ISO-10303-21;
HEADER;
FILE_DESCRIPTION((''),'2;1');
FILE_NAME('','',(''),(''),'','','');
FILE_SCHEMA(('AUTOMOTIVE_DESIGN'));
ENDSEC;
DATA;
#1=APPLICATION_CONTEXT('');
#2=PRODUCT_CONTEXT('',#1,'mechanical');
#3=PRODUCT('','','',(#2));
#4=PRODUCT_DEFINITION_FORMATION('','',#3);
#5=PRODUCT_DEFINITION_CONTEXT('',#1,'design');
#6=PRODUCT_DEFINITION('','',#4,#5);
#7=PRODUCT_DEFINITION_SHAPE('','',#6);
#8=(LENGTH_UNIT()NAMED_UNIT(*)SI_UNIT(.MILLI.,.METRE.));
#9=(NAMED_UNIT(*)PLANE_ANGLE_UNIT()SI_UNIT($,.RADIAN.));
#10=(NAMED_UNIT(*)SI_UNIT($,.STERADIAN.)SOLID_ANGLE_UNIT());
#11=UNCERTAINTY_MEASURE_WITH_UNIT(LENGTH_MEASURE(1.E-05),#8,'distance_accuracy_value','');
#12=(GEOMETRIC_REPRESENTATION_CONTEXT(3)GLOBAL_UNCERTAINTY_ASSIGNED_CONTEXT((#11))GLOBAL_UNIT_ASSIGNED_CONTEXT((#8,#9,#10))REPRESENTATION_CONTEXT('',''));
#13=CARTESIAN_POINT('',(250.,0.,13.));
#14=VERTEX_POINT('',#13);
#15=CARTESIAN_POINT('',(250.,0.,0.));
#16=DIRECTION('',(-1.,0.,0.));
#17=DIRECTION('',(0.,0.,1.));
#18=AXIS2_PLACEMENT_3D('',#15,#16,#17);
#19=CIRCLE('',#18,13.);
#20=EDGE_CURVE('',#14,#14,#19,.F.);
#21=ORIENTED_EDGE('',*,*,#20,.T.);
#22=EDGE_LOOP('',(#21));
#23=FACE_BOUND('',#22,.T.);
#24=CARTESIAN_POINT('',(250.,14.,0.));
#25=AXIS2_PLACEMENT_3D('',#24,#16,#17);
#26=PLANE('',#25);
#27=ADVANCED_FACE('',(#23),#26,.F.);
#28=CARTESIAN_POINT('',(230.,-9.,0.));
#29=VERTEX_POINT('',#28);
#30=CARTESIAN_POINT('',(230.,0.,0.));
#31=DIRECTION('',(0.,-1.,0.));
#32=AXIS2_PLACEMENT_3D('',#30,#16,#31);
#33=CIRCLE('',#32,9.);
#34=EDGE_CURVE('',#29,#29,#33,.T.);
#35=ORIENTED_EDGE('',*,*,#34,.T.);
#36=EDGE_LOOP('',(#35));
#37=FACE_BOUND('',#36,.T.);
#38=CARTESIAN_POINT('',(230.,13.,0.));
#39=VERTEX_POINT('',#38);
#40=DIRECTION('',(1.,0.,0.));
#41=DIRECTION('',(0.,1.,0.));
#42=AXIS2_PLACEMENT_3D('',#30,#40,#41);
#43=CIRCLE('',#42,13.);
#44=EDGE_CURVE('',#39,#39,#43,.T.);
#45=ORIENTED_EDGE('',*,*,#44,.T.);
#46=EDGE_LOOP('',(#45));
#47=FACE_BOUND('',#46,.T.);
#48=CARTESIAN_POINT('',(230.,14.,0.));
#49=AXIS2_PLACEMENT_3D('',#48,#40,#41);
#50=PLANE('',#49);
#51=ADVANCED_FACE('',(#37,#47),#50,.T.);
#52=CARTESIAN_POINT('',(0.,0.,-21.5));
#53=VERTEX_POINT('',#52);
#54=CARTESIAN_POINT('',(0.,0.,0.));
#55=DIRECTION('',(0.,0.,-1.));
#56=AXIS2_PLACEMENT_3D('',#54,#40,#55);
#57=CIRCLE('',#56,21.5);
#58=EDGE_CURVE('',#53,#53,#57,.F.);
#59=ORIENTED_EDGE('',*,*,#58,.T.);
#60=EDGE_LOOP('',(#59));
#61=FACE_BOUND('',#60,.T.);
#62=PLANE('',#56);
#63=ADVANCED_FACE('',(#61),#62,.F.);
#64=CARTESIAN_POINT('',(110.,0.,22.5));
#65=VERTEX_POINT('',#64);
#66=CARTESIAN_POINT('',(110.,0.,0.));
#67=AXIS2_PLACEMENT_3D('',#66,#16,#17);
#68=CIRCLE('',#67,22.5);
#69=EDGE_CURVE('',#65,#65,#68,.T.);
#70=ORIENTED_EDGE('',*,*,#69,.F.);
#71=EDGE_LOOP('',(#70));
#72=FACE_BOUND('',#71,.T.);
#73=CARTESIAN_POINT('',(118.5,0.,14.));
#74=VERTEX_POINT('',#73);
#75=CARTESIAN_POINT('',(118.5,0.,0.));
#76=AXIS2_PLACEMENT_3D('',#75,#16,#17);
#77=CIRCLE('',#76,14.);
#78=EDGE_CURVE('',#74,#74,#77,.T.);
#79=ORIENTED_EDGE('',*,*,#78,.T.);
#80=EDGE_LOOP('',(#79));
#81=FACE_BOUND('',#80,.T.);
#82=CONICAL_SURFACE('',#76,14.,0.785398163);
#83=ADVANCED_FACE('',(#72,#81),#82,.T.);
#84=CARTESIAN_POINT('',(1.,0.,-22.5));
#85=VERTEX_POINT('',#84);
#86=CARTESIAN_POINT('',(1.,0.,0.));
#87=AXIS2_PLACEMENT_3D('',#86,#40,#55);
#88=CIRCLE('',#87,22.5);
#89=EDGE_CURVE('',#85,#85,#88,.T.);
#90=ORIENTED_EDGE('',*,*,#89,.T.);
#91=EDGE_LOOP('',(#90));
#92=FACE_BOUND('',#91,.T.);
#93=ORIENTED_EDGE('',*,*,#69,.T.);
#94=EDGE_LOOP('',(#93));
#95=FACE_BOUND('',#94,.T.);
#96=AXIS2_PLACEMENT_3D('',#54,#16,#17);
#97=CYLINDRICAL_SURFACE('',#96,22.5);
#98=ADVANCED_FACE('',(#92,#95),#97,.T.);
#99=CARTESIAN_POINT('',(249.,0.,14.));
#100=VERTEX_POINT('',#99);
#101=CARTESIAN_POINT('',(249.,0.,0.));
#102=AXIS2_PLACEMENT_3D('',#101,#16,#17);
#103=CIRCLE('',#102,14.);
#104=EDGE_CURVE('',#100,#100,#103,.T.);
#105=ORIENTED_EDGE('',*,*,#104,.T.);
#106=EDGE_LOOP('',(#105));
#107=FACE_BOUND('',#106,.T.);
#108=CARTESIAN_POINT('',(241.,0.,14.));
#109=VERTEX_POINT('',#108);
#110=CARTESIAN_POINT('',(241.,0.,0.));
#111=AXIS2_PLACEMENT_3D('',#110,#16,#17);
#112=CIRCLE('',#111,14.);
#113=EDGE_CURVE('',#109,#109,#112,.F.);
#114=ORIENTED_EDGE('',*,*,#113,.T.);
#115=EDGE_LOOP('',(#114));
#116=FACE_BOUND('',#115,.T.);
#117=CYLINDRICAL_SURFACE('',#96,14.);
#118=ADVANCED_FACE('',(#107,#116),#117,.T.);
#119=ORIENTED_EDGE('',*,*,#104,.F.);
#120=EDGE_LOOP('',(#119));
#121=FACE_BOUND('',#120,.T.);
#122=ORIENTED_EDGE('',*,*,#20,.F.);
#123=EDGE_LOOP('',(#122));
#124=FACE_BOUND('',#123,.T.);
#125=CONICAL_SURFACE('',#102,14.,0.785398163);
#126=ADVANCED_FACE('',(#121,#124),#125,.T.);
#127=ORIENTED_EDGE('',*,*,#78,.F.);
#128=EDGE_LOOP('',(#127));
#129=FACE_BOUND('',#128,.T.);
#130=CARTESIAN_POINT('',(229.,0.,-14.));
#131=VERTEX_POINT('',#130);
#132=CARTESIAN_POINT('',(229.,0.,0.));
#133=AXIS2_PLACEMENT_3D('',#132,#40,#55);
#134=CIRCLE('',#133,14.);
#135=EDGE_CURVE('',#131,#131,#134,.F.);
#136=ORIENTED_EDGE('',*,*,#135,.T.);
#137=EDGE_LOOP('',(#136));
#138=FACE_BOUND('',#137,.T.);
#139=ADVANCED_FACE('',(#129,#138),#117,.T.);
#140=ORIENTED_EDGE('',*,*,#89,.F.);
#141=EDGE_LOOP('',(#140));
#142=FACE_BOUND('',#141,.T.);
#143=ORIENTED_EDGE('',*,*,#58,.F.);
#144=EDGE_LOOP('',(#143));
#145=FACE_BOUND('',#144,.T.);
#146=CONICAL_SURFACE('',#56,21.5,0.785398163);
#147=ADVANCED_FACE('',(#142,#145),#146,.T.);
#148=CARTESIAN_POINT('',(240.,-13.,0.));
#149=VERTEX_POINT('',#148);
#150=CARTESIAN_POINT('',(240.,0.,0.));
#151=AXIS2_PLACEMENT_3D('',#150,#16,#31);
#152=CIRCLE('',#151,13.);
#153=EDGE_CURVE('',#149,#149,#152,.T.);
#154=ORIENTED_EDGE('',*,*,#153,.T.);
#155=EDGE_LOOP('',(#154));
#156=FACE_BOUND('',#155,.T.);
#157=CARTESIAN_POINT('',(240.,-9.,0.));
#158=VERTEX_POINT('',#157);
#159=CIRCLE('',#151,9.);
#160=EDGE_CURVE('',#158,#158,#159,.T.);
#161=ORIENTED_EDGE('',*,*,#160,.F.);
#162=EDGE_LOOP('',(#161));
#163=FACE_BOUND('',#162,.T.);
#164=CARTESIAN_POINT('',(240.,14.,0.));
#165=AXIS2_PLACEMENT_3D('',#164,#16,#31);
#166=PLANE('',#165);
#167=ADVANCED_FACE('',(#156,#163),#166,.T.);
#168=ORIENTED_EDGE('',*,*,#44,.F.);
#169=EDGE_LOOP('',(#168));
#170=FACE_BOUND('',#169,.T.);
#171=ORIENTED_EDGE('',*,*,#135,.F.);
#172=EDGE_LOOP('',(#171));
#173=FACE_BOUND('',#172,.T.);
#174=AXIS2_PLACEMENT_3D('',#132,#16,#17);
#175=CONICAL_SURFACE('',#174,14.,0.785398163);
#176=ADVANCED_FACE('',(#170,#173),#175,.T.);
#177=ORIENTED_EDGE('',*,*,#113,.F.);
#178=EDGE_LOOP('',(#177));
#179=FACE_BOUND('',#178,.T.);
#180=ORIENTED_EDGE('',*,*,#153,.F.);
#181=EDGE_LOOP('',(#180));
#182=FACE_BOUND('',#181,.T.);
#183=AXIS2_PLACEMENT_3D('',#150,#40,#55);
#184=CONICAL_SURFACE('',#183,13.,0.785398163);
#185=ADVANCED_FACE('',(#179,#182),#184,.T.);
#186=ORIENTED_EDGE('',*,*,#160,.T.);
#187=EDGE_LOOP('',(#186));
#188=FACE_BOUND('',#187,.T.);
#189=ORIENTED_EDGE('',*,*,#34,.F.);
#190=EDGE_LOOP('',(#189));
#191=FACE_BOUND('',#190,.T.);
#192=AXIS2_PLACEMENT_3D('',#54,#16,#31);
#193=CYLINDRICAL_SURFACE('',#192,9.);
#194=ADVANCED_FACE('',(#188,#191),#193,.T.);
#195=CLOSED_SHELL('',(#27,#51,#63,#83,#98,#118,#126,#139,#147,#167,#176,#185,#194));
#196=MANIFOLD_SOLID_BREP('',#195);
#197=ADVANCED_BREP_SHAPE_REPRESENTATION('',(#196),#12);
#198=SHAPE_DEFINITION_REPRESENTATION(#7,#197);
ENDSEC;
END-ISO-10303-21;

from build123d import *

# Parameters (mm, degrees)
SKETCH2_W     = 10
SKETCH2_H     = 5
CHAMFER1_SIZE = 1


with BuildPart() as part:
    # Sketch1 → Revolve1 (revolve)
    with BuildSketch(Plane.XY):
        Polygon((0, 0), (0, 22.5), (110, 22.5), (118.5, 14), (250, 14), (250, 0), align=None)
    revolve(axis=Axis((0, 0, 0), (1, 0, 0)))

    # Sketch2 → Cut-Revolve1 (revolve, cut)
    with BuildSketch(Plane.XY):
        with Locations((235, 11.5)):
            Rectangle(SKETCH2_W, SKETCH2_H)
    revolve(axis=Axis((0, 0, 0), (1, 0, 0)), mode=Mode.SUBTRACT)

    # Chamfer1
    chamfer1_edges = [part.edges().sort_by_distance(p)[0] for p in [
        (230, -14, 0),
        (240, -14, 0),
        (250, -14, 0),
        (0, -22.5, 0),
    ]]
    chamfer(chamfer1_edges, length=CHAMFER1_SIZE)


solid = part.part
